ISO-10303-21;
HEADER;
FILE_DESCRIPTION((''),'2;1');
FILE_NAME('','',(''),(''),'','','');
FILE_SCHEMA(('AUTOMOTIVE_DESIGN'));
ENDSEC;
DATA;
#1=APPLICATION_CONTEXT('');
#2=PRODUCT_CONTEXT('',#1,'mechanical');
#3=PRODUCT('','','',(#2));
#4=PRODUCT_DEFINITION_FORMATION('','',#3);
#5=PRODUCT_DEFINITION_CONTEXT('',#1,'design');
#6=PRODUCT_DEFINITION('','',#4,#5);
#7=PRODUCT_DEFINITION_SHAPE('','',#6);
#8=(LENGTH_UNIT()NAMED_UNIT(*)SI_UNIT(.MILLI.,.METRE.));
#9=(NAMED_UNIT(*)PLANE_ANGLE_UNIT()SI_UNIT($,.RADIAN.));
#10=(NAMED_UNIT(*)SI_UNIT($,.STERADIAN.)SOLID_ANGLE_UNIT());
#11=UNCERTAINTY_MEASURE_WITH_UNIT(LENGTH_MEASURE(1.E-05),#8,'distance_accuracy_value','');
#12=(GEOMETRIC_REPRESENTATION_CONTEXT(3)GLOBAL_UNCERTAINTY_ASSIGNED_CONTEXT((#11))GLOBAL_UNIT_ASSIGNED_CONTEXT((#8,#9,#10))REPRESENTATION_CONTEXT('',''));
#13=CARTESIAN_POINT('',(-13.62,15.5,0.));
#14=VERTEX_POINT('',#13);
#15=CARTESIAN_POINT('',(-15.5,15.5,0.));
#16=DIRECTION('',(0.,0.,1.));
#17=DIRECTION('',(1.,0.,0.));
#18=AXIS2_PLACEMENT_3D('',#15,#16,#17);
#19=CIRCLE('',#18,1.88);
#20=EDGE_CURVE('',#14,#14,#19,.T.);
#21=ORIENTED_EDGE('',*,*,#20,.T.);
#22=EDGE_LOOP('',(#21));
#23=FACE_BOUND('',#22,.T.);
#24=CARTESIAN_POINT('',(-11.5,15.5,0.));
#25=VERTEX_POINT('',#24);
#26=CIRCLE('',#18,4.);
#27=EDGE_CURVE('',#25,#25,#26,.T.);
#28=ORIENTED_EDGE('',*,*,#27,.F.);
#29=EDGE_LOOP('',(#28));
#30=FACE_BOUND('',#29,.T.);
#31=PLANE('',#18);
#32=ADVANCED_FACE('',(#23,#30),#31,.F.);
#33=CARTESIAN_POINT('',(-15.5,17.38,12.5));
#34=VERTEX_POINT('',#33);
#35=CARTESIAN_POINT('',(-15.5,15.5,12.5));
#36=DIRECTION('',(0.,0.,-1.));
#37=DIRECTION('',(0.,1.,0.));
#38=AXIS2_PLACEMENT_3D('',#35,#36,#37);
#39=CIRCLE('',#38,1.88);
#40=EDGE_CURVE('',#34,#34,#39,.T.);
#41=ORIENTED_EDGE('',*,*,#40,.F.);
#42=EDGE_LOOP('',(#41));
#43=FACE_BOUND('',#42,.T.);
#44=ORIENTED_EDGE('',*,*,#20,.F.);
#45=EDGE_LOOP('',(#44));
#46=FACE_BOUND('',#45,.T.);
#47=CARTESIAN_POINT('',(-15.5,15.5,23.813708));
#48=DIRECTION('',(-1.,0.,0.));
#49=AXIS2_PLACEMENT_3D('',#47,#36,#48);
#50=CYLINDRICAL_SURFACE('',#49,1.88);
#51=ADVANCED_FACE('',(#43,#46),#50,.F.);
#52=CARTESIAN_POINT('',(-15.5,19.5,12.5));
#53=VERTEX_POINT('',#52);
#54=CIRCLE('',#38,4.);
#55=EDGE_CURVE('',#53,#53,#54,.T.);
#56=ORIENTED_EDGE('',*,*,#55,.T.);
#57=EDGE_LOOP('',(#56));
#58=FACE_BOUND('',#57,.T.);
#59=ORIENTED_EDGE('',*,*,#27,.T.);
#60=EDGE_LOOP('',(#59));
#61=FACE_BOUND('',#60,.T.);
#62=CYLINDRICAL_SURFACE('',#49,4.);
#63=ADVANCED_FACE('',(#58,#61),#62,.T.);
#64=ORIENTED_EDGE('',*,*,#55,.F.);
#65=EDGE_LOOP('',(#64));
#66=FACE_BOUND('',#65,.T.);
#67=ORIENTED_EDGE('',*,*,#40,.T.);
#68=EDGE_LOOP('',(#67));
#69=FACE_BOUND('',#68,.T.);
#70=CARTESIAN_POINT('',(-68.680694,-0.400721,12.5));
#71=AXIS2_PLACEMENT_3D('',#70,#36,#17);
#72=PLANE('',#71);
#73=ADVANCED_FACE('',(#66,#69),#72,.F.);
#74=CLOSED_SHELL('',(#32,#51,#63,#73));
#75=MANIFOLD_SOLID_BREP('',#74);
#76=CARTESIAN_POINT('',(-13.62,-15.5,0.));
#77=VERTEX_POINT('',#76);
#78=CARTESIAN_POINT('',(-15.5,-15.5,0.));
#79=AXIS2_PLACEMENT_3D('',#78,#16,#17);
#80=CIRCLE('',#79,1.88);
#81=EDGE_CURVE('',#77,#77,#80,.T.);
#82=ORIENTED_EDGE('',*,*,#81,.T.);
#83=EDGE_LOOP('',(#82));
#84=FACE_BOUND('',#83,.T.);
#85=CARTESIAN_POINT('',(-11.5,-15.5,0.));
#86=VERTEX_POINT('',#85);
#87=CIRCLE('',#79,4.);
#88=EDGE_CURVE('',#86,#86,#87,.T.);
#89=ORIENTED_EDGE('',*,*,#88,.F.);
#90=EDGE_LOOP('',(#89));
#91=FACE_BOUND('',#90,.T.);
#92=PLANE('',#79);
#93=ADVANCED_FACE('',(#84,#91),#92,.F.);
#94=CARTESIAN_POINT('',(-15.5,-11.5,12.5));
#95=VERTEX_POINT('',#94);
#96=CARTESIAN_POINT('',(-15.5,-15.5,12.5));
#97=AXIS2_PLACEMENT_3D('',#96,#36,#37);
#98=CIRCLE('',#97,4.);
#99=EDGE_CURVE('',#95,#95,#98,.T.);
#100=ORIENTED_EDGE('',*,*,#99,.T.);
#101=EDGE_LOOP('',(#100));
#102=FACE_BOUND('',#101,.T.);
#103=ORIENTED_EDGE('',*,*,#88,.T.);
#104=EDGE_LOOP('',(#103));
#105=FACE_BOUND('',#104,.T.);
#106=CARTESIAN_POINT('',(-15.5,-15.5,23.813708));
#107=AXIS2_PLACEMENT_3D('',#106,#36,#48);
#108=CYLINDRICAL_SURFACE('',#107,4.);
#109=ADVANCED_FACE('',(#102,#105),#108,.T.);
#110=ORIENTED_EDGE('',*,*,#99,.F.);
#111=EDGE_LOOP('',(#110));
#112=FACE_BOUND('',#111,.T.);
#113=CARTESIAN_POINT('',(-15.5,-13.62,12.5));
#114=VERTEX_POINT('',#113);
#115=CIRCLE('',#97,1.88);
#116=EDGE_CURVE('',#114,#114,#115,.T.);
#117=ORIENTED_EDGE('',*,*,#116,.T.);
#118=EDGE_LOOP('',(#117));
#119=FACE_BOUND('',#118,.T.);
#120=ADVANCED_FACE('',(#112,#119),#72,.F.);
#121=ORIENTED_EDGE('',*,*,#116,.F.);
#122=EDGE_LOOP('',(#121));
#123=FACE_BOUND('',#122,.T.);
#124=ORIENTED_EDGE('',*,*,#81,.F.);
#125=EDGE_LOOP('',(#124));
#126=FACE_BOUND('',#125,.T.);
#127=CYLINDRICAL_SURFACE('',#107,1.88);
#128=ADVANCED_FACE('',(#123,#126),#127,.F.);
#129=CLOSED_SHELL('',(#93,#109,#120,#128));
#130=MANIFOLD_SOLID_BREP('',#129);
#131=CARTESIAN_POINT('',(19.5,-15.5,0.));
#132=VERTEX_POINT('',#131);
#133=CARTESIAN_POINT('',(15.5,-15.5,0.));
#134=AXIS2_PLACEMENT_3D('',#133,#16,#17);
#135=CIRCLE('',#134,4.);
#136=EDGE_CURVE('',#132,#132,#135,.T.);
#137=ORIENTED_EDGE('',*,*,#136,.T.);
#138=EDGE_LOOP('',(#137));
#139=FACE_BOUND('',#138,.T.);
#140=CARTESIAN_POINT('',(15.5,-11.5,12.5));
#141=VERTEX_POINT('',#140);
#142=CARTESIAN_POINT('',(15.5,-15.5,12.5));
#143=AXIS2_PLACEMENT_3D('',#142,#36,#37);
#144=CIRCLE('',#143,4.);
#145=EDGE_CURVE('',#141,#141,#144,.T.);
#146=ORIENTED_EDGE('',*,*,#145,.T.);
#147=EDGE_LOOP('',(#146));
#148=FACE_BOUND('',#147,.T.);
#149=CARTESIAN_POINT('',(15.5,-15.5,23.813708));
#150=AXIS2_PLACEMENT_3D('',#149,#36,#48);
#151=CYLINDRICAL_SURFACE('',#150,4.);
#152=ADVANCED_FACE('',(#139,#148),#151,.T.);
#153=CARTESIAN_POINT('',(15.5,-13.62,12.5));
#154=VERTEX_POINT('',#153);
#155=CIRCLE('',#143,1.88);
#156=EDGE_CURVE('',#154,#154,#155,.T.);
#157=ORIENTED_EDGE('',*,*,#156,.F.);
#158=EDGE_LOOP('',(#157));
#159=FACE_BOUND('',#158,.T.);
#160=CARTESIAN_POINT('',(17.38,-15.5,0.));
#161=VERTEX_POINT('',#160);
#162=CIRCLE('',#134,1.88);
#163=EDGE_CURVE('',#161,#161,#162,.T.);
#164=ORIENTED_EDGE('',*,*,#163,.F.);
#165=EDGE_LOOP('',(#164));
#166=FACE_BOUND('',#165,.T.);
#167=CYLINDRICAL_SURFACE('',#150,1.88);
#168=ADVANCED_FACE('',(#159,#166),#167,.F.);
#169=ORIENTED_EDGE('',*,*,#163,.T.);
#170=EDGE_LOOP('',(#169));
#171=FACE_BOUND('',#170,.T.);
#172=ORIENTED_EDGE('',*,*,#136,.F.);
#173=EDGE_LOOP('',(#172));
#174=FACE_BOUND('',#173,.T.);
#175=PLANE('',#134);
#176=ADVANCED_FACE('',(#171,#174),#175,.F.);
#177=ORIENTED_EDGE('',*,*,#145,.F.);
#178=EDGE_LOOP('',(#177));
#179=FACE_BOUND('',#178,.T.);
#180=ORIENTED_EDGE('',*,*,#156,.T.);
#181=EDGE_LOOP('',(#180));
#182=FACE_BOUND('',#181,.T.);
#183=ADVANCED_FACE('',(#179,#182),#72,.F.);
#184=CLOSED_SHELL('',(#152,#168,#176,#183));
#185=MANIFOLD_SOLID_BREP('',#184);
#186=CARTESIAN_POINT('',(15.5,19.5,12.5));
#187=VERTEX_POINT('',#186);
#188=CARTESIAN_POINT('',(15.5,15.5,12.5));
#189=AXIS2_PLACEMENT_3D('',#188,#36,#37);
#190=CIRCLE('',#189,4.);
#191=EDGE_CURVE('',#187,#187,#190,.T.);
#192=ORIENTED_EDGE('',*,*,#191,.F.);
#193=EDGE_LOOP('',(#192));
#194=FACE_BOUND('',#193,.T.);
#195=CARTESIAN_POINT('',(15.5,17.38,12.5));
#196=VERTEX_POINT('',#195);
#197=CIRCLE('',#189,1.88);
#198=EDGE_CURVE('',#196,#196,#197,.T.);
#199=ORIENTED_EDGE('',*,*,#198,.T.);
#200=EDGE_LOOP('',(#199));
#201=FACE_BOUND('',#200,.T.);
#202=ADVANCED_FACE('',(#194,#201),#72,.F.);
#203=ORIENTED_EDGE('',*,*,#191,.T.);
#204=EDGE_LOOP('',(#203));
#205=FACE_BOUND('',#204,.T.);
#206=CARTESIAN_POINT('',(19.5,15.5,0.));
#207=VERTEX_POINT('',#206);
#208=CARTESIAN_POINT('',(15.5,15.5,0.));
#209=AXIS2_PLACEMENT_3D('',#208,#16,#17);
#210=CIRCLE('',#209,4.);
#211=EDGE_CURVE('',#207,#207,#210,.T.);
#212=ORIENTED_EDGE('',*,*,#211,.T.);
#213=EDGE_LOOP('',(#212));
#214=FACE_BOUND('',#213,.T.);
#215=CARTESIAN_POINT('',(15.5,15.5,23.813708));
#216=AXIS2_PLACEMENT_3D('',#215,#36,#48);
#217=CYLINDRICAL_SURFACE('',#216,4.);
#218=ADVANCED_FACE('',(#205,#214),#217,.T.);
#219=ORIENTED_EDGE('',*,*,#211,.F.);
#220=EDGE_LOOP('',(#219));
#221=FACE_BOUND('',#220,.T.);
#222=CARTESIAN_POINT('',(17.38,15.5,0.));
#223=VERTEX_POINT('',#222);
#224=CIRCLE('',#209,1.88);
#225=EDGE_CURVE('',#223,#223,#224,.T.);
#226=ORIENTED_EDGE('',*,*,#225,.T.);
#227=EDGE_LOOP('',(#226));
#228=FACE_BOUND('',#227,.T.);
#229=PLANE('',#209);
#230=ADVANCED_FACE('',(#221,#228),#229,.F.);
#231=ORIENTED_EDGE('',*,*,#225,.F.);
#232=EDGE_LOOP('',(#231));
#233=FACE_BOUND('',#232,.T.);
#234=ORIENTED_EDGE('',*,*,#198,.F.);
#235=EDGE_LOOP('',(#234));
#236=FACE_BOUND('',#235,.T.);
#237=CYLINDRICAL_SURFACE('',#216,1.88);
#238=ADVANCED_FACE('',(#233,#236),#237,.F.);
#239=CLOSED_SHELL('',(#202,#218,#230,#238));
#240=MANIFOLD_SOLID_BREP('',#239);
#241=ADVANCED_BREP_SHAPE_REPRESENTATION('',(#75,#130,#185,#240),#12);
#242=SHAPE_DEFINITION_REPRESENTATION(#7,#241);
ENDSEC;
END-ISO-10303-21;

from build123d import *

# Parameters (mm, degrees)
SKETCH_1_R        = 4
SKETCH_1_R_2      = 1.88
EXTRUDE_1_DEPTH   = 12.5
EXTRUDE_1_2_DEPTH = 12.5
EXTRUDE_1_3_DEPTH = 12.5
EXTRUDE_1_4_DEPTH = 12.5


with BuildPart() as part:
    # 草图1 → 凸台-拉伸1 (new body)
    with BuildSketch(Plane.XY):
        with Locations(Location((15.5, 15.5, 0), (0, 0, 90))):
            Circle(SKETCH_1_R)
        with Locations(Location((15.5, 15.5, 0), (0, 0, 90))):
            Circle(SKETCH_1_R_2, mode=Mode.SUBTRACT)
    extrude(amount=EXTRUDE_1_DEPTH)


with BuildPart() as body_2:
    # 草图1 → Extrude 1 2 (new body)
    with BuildSketch(Plane.XY):
        with Locations(Location((15.5, -15.5, 0), (0, 0, 90))):
            Circle(SKETCH_1_R)
        with Locations(Location((15.5, -15.5, 0), (0, 0, 90))):
            Circle(SKETCH_1_R_2, mode=Mode.SUBTRACT)
    extrude(amount=EXTRUDE_1_2_DEPTH)


with BuildPart() as body_3:
    # 草图1 → Extrude 1 3 (new body)
    with BuildSketch(Plane.XY):
        with Locations(Location((-15.5, -15.5, 0), (0, 0, 90))):
            Circle(SKETCH_1_R)
        with Locations(Location((-15.5, -15.5, 0), (0, 0, 90))):
            Circle(SKETCH_1_R_2, mode=Mode.SUBTRACT)
    extrude(amount=EXTRUDE_1_3_DEPTH)


with BuildPart() as body_4:
    # 草图1 → Extrude 1 4 (new body)
    with BuildSketch(Plane.XY):
        with Locations(Location((-15.5, 15.5, 0), (0, 0, 90))):
            Circle(SKETCH_1_R)
        with Locations(Location((-15.5, 15.5, 0), (0, 0, 90))):
            Circle(SKETCH_1_R_2, mode=Mode.SUBTRACT)
    extrude(amount=EXTRUDE_1_4_DEPTH)


solid = Compound([part.part, body_2.part, body_3.part, body_4.part])
